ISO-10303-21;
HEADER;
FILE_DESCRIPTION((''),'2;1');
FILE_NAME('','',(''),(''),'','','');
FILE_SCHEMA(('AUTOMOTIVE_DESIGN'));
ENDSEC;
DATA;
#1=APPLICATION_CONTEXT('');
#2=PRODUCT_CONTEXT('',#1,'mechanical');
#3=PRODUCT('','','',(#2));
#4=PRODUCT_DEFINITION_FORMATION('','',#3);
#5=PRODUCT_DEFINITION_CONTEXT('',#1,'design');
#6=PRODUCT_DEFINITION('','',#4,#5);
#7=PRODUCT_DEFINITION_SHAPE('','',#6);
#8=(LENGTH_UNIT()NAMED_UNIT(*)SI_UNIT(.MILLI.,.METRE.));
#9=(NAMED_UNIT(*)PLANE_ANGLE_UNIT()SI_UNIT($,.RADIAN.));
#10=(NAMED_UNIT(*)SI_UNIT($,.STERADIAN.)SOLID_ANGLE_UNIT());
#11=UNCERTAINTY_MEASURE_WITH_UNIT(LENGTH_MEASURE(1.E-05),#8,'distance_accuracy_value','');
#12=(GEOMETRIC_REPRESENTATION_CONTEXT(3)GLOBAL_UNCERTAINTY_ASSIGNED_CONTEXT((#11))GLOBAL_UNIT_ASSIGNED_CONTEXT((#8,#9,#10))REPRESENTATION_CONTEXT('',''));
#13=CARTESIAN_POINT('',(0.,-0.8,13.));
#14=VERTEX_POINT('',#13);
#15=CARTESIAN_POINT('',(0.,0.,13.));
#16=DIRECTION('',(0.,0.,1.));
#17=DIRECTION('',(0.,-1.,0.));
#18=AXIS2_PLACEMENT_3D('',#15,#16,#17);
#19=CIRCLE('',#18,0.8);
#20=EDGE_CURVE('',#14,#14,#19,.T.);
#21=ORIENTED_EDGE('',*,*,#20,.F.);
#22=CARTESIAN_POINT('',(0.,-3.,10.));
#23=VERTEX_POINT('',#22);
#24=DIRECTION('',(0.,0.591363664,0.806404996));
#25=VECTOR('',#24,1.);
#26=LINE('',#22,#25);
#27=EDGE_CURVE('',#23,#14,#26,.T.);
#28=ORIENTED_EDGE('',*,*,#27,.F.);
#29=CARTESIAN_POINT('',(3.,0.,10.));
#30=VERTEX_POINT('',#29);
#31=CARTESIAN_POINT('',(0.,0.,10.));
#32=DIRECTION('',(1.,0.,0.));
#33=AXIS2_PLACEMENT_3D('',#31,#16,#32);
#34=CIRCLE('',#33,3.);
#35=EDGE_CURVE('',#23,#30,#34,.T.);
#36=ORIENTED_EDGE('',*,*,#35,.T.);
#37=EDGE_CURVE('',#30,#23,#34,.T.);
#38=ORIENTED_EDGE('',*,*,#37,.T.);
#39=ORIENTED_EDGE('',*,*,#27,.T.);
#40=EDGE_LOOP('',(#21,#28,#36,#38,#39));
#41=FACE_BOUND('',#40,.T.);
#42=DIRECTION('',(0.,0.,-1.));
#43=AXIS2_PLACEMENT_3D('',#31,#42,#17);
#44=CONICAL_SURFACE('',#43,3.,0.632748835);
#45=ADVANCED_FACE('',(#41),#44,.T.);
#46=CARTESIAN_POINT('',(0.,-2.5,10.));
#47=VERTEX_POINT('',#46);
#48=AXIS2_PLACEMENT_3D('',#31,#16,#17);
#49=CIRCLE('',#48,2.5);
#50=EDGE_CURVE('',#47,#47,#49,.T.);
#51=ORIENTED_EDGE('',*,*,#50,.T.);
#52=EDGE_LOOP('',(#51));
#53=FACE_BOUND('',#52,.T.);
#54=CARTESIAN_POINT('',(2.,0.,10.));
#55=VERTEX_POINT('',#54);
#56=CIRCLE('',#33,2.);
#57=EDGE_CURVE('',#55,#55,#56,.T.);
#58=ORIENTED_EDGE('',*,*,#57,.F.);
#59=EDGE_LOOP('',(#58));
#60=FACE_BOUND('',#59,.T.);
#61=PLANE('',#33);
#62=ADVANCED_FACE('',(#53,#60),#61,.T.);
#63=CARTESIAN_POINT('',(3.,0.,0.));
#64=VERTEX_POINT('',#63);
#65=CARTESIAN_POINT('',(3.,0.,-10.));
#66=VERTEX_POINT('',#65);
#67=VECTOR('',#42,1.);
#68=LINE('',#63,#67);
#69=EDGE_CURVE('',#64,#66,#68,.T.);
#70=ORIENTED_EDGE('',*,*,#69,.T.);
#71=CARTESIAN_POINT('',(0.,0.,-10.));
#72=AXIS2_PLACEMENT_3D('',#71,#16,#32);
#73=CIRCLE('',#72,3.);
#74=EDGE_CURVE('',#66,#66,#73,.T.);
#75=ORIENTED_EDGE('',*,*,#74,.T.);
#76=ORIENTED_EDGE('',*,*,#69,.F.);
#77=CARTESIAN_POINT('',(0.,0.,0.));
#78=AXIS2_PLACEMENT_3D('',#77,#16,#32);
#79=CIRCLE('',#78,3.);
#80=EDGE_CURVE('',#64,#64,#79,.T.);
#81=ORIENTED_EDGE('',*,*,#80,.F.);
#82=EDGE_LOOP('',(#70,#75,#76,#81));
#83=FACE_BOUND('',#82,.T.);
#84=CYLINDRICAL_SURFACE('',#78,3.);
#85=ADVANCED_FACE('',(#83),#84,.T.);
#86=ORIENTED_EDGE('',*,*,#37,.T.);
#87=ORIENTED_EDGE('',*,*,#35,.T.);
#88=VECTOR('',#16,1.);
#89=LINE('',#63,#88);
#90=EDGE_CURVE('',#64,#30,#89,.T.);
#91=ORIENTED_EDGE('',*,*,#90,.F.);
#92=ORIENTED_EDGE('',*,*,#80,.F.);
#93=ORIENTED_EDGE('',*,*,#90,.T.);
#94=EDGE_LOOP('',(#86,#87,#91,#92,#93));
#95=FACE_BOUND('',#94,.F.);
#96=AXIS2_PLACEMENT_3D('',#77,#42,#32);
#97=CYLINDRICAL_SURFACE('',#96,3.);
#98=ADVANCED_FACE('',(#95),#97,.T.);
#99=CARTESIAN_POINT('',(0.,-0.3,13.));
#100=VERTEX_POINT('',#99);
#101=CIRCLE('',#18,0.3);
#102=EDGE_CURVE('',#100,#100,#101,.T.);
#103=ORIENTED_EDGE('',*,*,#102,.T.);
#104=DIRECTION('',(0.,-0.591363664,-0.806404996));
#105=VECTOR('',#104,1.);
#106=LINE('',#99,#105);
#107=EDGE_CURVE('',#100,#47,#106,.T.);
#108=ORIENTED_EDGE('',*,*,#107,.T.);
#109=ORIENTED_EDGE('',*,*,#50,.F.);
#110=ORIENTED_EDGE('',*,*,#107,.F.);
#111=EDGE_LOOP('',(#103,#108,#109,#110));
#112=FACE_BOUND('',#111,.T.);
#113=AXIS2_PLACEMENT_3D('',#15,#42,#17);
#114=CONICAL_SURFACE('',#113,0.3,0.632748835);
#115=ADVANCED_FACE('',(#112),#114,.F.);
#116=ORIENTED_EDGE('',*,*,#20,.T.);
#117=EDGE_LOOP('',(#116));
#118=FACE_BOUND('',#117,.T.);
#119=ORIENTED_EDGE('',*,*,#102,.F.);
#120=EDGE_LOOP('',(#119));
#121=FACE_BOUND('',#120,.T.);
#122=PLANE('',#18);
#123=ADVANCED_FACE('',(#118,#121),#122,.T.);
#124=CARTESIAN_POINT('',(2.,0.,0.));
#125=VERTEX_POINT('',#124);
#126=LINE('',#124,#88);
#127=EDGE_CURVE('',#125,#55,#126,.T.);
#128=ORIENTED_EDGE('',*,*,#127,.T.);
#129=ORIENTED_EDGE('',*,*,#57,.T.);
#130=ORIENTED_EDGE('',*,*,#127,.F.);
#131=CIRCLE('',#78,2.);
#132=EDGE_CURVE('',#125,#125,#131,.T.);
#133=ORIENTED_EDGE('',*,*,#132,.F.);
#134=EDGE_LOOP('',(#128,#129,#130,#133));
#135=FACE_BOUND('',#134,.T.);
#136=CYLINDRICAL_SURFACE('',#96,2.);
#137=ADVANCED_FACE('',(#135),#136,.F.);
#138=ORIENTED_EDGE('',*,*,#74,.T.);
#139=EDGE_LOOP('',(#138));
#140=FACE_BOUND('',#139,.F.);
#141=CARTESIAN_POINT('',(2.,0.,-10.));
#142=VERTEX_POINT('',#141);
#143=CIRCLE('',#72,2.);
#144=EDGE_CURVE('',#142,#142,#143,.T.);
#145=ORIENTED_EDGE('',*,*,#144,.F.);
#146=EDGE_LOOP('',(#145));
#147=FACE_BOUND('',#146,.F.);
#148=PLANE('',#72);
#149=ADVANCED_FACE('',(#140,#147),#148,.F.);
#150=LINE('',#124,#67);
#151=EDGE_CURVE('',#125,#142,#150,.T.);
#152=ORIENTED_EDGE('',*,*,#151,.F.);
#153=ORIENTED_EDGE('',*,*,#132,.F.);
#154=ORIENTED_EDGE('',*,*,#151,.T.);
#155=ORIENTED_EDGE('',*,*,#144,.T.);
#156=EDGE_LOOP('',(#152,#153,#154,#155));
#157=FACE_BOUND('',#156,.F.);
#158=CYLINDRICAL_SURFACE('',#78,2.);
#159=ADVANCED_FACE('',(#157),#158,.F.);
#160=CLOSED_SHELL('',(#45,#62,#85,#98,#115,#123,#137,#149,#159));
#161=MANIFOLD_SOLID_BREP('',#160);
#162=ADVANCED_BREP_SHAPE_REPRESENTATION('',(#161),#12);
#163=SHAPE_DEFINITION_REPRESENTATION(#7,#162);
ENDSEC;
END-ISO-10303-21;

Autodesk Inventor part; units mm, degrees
ref_plane "YZ Plane" through (0, 0, 0) normal (1, 0, 0) x (0, 1, 0)
ref_plane "XZ Plane" through (0, 0, 0) normal (0, 1, 0) x (-1, 0, 0)
ref_plane "XY Plane" through (0, 0, 0) normal (0, 0, 1) x (1, 0, 0)
sketch "Sketch1" plane through (0, 0, 0) normal (0, 0, 1) x (1, 0, 0)
  circle A0 centre (0, 0) radius 3
  circle A1 centre (0, 0) radius 2
  dimension "d0" = 6
  dimension "d1" = 4
extrude "Extrusion1" add sketch "Sketch1" along normal mid plane 20
sketch "Sketch2" plane through (0, 0, 0) normal (1, 0, 0) x (0, 1, 0)
  line L0 (3, 10) -> (-3, 10) construction
  line L1 (0, 10) -> (0, 13) construction
  line L2 (-3, -10) -> (-3, 10) construction
  line L3 (-3, 10) -> (-0.8, 13)
  line L4 (-0.8, 13) -> (-0.3, 13)
  line L5 (-0.3, 13) -> (-2.5, 10)
  line L6 (-3, 10) -> (-2.5, 10)
  point P0 (0, 0)
  point P1 (-0.55, 13)
  dimension "d4" = 3
  dimension "d6" = 0.3
  dimension "d7" = 0.5
revolve "Revolution1" add sketch "Sketch2" angle 360 about axis through (0, 0, 10) along (0, 0, 1)
properties part number "Nozzle"
